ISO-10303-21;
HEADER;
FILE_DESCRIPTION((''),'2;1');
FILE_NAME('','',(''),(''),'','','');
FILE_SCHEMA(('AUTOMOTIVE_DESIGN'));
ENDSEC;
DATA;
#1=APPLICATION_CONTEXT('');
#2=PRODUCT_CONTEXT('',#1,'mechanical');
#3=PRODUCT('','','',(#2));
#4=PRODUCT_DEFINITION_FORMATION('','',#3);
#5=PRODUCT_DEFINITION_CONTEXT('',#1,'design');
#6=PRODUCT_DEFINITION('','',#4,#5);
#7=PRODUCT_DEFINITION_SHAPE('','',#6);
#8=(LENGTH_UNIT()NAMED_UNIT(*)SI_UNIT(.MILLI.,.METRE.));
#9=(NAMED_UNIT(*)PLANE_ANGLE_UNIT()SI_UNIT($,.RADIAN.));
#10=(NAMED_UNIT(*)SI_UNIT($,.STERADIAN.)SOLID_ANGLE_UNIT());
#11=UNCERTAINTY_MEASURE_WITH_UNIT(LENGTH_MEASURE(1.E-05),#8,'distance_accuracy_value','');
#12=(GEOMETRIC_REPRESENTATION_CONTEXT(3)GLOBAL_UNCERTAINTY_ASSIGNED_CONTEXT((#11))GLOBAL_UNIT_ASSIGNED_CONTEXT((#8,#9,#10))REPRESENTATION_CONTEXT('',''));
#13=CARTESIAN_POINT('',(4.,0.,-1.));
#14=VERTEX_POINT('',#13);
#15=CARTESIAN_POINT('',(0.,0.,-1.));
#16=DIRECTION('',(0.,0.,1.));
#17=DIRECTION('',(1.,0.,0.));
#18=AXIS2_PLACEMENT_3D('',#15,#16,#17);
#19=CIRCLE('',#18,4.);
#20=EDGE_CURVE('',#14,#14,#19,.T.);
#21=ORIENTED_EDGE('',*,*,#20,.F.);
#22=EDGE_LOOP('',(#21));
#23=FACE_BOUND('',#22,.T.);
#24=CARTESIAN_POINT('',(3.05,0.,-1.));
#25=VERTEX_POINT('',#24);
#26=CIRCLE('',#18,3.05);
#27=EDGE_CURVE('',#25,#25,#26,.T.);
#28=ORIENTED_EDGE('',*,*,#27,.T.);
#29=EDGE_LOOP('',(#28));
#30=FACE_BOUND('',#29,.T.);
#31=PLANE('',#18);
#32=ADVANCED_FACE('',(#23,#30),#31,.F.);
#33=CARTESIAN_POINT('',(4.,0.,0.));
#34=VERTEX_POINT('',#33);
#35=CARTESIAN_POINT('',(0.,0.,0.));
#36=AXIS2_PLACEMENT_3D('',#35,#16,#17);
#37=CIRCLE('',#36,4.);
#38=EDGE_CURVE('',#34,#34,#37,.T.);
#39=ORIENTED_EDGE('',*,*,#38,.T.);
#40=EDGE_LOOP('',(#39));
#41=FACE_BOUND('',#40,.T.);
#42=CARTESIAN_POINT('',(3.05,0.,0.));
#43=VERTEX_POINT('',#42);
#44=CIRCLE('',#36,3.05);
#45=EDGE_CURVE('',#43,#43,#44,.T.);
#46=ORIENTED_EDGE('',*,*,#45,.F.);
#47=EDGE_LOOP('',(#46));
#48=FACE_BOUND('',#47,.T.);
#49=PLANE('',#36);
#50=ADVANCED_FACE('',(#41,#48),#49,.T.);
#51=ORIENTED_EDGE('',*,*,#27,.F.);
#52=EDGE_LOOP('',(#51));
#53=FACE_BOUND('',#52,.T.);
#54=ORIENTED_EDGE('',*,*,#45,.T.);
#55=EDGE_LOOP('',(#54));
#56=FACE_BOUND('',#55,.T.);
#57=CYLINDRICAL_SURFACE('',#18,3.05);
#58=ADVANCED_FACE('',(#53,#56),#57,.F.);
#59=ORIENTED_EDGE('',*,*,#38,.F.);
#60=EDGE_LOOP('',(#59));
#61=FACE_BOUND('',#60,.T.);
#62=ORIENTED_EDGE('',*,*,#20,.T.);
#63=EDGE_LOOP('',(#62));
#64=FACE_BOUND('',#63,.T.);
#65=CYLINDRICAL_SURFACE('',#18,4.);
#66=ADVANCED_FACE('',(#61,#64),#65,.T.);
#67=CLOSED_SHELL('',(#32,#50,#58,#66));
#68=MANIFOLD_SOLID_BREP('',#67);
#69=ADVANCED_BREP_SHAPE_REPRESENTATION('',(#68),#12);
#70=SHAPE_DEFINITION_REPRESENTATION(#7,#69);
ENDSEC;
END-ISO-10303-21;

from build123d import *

# Parameters (mm, degrees)
SKIZZE2_R                       = 4
SKIZZE2_R_2                     = 3.05
AUFSATZ_LINEAR_AUSTRAGEN1_DEPTH = 1


with BuildPart() as part:
    # Skizze2 → Aufsatz-Linear austragen1 (new body)
    with BuildSketch(Plane.XY):
        Circle(SKIZZE2_R)
        Circle(SKIZZE2_R_2, mode=Mode.SUBTRACT)
    extrude(amount=-AUFSATZ_LINEAR_AUSTRAGEN1_DEPTH)


solid = part.part
